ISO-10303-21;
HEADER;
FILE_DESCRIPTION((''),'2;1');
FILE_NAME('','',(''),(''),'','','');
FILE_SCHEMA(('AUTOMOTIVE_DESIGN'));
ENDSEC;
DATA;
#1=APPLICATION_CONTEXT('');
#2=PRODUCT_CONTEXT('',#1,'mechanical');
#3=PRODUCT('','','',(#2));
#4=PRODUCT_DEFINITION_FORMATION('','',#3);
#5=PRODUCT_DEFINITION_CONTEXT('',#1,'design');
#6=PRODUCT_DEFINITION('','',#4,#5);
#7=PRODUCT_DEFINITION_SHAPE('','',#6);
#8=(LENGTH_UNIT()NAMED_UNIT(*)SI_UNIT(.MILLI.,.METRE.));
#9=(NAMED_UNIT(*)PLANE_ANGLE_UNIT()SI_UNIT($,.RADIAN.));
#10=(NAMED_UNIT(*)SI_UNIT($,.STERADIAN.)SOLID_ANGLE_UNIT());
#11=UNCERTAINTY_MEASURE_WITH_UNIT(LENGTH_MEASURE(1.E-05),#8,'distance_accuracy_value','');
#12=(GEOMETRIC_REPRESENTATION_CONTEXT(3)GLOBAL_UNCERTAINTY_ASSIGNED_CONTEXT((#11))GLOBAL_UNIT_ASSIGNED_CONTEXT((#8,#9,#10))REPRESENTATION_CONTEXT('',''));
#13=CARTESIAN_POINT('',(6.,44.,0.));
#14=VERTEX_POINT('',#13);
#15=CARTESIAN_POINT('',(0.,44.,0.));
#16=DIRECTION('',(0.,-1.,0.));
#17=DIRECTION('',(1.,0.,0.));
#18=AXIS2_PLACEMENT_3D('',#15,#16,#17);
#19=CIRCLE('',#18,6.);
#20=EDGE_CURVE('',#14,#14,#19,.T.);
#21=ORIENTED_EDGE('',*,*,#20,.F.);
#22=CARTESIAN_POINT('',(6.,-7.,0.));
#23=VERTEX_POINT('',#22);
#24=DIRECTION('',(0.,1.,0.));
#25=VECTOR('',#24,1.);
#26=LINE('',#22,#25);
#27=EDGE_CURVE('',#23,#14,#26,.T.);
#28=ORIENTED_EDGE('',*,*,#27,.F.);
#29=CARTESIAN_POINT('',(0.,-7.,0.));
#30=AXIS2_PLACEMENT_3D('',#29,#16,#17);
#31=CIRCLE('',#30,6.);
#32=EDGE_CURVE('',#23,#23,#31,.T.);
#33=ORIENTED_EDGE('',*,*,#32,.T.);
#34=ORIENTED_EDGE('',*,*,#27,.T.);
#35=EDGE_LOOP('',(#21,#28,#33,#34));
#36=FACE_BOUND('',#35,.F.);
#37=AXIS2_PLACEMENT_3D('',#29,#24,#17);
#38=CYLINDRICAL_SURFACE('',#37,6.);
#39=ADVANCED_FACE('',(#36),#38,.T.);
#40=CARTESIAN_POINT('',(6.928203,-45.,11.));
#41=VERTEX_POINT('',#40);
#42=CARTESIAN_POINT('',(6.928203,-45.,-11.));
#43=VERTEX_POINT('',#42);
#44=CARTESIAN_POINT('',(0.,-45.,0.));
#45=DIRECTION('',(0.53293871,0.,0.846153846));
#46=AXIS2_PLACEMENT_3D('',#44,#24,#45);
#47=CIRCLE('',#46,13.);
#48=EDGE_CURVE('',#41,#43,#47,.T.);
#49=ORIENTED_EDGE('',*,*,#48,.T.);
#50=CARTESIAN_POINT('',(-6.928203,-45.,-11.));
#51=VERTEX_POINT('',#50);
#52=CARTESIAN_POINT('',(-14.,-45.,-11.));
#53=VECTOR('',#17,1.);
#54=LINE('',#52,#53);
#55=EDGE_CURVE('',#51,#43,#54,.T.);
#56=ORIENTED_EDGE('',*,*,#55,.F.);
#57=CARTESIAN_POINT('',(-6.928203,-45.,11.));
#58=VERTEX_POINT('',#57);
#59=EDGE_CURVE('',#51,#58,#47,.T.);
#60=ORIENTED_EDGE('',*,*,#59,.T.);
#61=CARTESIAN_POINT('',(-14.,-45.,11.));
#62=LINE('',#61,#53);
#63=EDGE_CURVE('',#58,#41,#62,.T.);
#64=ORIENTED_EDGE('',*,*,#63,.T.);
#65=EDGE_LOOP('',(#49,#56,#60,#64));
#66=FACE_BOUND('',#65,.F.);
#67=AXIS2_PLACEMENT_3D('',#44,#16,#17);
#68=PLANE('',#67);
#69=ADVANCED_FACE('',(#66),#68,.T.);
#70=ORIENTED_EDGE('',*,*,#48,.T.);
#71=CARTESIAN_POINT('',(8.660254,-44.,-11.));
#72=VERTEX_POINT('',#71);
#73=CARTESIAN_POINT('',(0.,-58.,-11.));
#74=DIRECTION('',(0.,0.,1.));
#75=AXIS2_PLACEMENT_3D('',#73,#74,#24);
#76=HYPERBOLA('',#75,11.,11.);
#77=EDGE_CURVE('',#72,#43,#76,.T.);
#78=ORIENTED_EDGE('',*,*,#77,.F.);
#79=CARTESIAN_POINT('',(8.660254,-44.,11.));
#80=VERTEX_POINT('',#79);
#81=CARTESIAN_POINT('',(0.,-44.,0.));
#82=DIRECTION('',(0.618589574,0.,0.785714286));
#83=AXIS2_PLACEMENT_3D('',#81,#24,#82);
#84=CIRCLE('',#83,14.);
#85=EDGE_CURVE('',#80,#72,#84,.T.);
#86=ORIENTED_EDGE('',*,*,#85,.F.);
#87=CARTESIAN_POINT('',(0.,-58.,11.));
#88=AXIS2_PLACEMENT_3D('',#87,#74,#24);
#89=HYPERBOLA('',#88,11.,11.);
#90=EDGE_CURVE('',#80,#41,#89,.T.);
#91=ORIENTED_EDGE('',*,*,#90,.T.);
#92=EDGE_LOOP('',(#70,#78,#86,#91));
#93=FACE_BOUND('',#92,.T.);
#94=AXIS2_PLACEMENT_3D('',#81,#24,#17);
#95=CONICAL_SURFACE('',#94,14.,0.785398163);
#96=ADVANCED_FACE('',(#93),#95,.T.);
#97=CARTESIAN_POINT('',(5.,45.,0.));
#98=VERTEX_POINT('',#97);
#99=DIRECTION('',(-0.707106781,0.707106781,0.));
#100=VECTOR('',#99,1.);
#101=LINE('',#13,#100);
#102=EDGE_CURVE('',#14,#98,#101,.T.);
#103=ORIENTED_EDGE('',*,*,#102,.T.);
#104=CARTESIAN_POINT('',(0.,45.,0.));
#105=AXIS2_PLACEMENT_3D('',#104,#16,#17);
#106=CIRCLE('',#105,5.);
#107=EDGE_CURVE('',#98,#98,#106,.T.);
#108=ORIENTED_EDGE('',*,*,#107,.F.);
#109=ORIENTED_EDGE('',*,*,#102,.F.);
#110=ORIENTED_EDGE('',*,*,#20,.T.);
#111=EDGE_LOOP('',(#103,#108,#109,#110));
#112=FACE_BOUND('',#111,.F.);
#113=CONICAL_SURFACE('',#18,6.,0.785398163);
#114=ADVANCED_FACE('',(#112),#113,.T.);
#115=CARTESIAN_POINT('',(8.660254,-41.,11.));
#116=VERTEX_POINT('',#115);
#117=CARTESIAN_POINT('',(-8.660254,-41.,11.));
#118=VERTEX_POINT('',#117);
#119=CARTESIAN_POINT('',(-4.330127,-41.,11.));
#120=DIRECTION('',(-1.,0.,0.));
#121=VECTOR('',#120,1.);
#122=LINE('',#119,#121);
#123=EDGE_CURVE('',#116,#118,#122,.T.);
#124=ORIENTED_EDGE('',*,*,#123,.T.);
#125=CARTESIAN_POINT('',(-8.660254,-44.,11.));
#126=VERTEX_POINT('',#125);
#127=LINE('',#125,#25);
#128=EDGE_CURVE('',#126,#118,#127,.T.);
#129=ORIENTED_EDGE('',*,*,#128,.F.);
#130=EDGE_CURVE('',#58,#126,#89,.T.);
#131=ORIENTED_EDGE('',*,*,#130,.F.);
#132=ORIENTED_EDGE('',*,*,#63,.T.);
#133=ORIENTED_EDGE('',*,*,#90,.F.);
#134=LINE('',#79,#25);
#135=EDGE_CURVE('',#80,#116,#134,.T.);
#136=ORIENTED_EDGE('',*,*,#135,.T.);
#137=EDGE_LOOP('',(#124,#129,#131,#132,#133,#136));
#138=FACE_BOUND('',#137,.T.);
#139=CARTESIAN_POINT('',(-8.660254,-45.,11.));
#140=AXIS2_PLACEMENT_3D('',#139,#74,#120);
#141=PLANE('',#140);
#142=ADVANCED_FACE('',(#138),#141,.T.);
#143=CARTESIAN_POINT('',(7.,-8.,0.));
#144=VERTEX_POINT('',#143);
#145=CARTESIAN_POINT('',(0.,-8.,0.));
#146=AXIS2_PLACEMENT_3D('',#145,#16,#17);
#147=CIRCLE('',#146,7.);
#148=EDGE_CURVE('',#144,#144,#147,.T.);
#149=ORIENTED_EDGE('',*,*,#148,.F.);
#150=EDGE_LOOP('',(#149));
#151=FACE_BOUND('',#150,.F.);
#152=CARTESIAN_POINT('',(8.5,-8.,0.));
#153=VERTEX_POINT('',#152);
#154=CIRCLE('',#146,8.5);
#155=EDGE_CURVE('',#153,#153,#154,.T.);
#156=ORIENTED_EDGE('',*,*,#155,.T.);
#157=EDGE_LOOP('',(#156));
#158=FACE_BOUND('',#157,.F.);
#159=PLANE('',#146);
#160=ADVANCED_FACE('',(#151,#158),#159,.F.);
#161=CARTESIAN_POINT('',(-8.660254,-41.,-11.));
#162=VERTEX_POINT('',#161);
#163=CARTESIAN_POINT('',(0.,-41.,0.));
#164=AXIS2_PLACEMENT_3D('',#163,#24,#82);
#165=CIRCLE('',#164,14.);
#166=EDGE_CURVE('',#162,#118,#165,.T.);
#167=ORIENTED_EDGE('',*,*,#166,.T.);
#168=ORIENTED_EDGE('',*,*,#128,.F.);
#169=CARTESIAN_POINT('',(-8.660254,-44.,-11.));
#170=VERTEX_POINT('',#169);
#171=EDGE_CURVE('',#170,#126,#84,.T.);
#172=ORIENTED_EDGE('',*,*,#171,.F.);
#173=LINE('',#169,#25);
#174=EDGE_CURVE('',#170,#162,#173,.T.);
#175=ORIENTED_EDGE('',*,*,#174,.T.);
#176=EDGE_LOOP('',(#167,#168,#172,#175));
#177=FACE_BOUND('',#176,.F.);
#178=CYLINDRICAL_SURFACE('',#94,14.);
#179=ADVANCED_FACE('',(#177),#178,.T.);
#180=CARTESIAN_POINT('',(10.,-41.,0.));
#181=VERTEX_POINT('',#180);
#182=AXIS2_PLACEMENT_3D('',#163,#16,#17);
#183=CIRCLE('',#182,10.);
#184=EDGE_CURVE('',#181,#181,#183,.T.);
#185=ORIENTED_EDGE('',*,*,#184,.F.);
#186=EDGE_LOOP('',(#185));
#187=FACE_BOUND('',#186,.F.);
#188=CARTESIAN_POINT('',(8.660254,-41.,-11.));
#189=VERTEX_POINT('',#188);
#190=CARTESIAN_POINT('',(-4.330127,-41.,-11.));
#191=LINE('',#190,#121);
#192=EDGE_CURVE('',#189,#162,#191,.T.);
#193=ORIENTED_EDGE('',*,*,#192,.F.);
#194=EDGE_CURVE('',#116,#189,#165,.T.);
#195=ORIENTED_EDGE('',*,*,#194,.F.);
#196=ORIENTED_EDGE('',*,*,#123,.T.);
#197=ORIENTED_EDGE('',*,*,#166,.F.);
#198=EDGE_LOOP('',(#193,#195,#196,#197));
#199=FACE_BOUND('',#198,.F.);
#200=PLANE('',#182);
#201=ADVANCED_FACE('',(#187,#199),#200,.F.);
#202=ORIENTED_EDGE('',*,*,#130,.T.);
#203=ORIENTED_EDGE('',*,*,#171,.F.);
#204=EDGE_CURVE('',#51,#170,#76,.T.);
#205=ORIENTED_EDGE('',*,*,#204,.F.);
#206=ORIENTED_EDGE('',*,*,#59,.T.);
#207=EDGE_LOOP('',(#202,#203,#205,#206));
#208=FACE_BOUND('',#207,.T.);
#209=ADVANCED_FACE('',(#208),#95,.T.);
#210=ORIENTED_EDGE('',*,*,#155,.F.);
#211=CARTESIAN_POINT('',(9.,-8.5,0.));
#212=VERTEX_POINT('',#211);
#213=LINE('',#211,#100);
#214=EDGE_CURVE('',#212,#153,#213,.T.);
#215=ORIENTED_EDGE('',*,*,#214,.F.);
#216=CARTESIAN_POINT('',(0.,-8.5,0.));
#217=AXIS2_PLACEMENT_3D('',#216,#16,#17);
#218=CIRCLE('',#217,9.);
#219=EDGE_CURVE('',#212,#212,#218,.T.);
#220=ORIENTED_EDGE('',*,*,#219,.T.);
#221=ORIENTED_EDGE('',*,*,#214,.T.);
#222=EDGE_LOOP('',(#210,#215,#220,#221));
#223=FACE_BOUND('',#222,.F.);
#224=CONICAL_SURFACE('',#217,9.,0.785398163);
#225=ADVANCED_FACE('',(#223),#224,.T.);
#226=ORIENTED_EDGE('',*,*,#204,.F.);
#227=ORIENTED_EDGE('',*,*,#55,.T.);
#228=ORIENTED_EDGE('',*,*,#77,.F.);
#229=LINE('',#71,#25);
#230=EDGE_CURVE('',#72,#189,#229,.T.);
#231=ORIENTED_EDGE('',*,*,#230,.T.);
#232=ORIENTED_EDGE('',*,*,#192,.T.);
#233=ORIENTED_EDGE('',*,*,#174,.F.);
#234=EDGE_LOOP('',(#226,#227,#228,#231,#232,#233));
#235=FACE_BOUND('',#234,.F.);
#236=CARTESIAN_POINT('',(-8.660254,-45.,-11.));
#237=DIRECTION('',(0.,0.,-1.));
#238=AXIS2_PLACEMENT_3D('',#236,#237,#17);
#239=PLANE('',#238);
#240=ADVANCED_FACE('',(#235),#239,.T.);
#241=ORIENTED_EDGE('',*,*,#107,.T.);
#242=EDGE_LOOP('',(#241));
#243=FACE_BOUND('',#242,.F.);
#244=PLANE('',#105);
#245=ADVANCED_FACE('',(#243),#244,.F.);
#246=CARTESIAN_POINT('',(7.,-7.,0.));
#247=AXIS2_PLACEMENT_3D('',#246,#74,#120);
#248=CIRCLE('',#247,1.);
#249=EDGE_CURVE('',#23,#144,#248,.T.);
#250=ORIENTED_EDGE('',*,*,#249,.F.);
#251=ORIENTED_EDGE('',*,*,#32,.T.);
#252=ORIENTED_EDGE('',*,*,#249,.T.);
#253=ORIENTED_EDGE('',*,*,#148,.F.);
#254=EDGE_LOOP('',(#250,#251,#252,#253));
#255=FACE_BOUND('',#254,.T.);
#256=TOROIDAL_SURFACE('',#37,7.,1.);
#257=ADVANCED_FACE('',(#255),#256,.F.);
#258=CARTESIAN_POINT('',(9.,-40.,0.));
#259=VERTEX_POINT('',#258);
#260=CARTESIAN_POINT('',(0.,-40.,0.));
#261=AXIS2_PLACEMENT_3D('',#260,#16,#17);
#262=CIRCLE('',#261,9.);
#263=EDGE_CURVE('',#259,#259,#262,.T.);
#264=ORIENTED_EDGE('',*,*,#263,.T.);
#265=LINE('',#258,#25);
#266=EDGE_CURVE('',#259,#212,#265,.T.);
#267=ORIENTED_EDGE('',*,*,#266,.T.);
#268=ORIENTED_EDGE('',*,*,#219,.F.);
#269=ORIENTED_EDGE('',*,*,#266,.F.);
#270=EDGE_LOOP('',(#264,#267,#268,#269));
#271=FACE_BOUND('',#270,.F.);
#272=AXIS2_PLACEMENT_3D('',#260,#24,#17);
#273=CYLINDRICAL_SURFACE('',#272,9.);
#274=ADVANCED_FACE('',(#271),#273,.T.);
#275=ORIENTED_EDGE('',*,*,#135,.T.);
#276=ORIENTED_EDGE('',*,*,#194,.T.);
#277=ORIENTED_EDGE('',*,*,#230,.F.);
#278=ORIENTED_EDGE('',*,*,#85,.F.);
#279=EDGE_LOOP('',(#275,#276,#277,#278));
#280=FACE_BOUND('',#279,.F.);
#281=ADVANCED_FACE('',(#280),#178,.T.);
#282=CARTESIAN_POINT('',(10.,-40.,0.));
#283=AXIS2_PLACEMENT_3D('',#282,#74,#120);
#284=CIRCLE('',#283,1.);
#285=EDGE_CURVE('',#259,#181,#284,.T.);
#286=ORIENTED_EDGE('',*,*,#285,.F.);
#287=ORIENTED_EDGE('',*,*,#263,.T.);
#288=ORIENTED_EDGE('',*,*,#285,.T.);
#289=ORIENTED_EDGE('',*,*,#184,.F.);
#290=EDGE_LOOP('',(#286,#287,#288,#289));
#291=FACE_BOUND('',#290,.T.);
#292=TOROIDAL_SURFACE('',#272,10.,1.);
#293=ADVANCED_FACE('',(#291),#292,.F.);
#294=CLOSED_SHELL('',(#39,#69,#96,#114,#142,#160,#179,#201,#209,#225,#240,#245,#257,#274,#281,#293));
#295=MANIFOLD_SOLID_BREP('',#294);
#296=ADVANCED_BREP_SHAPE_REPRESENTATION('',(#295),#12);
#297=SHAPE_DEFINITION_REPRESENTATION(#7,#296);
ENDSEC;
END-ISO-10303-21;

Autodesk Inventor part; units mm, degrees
ref_plane "YZ Plane" through (0, 0, 0) normal (1, 0, 0) x (0, 1, 0)
ref_plane "XZ Plane" through (0, 0, 0) normal (0, 1, 0) x (-1, 0, 0)
ref_plane "XY Plane" through (0, 0, 0) normal (0, 0, 1) x (1, 0, 0)
sketch "Эскиз1" plane through (0, 0, 0) normal (0, 0, 1) x (1, 0, 0)
  line L0 (0, 45) -> (0, -45)
  line L1 (0, -45) -> (13, -45)
  line L2 (14, -44) -> (14, -41)
  line L3 (14, -41) -> (10, -41)
  line L4 (9, -40) -> (9, -8.5)
  line L5 (8.5, -8) -> (7, -8)
  line L6 (6, -7) -> (6, 44)
  line L7 (5, 45) -> (0, 45)
  line L8 (14, -44) -> (13, -45)
  arc A0 (9, -40) -> (10, -41) centre (10, -40) ccw
  line L9 (9, -8.5) -> (8.5, -8)
  arc A1 (6, -7) -> (7, -8) centre (7, -7) ccw
  line L10 (6, 44) -> (5, 45)
  point P0 (0, 0)
  point P1 (0, 0)
  point P2 (14, -45)
  point P3 (9, -8)
  point P4 (6, 45)
  dimension "d0" = 90
  dimension "d1" = 28
  dimension "d2" = 1
  dimension "d3" = 45
  dimension "d4" = 4
  dimension "d5" = 1
  dimension "d6" = 18
  dimension "d7" = 0.5
  dimension "d8" = 45
  dimension "d9" = 1
  dimension "d10" = 12
  dimension "d11" = 33
  dimension "d12" = 1
  dimension "d13" = 45
revolve "Вращение1" add sketch "Эскиз1" angle 360 about axis through (0, 45, 0) along (0, -1, 0)
sketch "Эскиз2" plane through (0, -45, 0) normal (0, -1, 0) x (1, 0, 0)
  line L0 (0, 11) -> (0, -11) construction
  line L1 (-14, 14) -> (14, 14)
  line L2 (14, 14) -> (14, 11)
  line L3 (14, 11) -> (-14, 11)
  line L4 (-14, 11) -> (-14, 14)
  circle A0 centre (0, 0) radius 14 projected
  point P0 (0, 0)
  point P1 (0, 0)
  dimension "d15" = 22
  dimension "d16" = 28
extrude "Выдавливание1" cut sketch "Эскиз2" against normal through all contours L1 A0 L3 L4 | L1 L2 L3 A0 | A0 L3 picked at (2.0072, 11.5463)
mirror "Зеркальное отражение1" about plane through (0, 0, 0) normal (0, 0, 1) of "Выдавливание1"
thread "Резьба1" size "M12x1.25" class "6g" standard "ISO Metric profile" length 20
properties part number "62. Ось рычага управления"
